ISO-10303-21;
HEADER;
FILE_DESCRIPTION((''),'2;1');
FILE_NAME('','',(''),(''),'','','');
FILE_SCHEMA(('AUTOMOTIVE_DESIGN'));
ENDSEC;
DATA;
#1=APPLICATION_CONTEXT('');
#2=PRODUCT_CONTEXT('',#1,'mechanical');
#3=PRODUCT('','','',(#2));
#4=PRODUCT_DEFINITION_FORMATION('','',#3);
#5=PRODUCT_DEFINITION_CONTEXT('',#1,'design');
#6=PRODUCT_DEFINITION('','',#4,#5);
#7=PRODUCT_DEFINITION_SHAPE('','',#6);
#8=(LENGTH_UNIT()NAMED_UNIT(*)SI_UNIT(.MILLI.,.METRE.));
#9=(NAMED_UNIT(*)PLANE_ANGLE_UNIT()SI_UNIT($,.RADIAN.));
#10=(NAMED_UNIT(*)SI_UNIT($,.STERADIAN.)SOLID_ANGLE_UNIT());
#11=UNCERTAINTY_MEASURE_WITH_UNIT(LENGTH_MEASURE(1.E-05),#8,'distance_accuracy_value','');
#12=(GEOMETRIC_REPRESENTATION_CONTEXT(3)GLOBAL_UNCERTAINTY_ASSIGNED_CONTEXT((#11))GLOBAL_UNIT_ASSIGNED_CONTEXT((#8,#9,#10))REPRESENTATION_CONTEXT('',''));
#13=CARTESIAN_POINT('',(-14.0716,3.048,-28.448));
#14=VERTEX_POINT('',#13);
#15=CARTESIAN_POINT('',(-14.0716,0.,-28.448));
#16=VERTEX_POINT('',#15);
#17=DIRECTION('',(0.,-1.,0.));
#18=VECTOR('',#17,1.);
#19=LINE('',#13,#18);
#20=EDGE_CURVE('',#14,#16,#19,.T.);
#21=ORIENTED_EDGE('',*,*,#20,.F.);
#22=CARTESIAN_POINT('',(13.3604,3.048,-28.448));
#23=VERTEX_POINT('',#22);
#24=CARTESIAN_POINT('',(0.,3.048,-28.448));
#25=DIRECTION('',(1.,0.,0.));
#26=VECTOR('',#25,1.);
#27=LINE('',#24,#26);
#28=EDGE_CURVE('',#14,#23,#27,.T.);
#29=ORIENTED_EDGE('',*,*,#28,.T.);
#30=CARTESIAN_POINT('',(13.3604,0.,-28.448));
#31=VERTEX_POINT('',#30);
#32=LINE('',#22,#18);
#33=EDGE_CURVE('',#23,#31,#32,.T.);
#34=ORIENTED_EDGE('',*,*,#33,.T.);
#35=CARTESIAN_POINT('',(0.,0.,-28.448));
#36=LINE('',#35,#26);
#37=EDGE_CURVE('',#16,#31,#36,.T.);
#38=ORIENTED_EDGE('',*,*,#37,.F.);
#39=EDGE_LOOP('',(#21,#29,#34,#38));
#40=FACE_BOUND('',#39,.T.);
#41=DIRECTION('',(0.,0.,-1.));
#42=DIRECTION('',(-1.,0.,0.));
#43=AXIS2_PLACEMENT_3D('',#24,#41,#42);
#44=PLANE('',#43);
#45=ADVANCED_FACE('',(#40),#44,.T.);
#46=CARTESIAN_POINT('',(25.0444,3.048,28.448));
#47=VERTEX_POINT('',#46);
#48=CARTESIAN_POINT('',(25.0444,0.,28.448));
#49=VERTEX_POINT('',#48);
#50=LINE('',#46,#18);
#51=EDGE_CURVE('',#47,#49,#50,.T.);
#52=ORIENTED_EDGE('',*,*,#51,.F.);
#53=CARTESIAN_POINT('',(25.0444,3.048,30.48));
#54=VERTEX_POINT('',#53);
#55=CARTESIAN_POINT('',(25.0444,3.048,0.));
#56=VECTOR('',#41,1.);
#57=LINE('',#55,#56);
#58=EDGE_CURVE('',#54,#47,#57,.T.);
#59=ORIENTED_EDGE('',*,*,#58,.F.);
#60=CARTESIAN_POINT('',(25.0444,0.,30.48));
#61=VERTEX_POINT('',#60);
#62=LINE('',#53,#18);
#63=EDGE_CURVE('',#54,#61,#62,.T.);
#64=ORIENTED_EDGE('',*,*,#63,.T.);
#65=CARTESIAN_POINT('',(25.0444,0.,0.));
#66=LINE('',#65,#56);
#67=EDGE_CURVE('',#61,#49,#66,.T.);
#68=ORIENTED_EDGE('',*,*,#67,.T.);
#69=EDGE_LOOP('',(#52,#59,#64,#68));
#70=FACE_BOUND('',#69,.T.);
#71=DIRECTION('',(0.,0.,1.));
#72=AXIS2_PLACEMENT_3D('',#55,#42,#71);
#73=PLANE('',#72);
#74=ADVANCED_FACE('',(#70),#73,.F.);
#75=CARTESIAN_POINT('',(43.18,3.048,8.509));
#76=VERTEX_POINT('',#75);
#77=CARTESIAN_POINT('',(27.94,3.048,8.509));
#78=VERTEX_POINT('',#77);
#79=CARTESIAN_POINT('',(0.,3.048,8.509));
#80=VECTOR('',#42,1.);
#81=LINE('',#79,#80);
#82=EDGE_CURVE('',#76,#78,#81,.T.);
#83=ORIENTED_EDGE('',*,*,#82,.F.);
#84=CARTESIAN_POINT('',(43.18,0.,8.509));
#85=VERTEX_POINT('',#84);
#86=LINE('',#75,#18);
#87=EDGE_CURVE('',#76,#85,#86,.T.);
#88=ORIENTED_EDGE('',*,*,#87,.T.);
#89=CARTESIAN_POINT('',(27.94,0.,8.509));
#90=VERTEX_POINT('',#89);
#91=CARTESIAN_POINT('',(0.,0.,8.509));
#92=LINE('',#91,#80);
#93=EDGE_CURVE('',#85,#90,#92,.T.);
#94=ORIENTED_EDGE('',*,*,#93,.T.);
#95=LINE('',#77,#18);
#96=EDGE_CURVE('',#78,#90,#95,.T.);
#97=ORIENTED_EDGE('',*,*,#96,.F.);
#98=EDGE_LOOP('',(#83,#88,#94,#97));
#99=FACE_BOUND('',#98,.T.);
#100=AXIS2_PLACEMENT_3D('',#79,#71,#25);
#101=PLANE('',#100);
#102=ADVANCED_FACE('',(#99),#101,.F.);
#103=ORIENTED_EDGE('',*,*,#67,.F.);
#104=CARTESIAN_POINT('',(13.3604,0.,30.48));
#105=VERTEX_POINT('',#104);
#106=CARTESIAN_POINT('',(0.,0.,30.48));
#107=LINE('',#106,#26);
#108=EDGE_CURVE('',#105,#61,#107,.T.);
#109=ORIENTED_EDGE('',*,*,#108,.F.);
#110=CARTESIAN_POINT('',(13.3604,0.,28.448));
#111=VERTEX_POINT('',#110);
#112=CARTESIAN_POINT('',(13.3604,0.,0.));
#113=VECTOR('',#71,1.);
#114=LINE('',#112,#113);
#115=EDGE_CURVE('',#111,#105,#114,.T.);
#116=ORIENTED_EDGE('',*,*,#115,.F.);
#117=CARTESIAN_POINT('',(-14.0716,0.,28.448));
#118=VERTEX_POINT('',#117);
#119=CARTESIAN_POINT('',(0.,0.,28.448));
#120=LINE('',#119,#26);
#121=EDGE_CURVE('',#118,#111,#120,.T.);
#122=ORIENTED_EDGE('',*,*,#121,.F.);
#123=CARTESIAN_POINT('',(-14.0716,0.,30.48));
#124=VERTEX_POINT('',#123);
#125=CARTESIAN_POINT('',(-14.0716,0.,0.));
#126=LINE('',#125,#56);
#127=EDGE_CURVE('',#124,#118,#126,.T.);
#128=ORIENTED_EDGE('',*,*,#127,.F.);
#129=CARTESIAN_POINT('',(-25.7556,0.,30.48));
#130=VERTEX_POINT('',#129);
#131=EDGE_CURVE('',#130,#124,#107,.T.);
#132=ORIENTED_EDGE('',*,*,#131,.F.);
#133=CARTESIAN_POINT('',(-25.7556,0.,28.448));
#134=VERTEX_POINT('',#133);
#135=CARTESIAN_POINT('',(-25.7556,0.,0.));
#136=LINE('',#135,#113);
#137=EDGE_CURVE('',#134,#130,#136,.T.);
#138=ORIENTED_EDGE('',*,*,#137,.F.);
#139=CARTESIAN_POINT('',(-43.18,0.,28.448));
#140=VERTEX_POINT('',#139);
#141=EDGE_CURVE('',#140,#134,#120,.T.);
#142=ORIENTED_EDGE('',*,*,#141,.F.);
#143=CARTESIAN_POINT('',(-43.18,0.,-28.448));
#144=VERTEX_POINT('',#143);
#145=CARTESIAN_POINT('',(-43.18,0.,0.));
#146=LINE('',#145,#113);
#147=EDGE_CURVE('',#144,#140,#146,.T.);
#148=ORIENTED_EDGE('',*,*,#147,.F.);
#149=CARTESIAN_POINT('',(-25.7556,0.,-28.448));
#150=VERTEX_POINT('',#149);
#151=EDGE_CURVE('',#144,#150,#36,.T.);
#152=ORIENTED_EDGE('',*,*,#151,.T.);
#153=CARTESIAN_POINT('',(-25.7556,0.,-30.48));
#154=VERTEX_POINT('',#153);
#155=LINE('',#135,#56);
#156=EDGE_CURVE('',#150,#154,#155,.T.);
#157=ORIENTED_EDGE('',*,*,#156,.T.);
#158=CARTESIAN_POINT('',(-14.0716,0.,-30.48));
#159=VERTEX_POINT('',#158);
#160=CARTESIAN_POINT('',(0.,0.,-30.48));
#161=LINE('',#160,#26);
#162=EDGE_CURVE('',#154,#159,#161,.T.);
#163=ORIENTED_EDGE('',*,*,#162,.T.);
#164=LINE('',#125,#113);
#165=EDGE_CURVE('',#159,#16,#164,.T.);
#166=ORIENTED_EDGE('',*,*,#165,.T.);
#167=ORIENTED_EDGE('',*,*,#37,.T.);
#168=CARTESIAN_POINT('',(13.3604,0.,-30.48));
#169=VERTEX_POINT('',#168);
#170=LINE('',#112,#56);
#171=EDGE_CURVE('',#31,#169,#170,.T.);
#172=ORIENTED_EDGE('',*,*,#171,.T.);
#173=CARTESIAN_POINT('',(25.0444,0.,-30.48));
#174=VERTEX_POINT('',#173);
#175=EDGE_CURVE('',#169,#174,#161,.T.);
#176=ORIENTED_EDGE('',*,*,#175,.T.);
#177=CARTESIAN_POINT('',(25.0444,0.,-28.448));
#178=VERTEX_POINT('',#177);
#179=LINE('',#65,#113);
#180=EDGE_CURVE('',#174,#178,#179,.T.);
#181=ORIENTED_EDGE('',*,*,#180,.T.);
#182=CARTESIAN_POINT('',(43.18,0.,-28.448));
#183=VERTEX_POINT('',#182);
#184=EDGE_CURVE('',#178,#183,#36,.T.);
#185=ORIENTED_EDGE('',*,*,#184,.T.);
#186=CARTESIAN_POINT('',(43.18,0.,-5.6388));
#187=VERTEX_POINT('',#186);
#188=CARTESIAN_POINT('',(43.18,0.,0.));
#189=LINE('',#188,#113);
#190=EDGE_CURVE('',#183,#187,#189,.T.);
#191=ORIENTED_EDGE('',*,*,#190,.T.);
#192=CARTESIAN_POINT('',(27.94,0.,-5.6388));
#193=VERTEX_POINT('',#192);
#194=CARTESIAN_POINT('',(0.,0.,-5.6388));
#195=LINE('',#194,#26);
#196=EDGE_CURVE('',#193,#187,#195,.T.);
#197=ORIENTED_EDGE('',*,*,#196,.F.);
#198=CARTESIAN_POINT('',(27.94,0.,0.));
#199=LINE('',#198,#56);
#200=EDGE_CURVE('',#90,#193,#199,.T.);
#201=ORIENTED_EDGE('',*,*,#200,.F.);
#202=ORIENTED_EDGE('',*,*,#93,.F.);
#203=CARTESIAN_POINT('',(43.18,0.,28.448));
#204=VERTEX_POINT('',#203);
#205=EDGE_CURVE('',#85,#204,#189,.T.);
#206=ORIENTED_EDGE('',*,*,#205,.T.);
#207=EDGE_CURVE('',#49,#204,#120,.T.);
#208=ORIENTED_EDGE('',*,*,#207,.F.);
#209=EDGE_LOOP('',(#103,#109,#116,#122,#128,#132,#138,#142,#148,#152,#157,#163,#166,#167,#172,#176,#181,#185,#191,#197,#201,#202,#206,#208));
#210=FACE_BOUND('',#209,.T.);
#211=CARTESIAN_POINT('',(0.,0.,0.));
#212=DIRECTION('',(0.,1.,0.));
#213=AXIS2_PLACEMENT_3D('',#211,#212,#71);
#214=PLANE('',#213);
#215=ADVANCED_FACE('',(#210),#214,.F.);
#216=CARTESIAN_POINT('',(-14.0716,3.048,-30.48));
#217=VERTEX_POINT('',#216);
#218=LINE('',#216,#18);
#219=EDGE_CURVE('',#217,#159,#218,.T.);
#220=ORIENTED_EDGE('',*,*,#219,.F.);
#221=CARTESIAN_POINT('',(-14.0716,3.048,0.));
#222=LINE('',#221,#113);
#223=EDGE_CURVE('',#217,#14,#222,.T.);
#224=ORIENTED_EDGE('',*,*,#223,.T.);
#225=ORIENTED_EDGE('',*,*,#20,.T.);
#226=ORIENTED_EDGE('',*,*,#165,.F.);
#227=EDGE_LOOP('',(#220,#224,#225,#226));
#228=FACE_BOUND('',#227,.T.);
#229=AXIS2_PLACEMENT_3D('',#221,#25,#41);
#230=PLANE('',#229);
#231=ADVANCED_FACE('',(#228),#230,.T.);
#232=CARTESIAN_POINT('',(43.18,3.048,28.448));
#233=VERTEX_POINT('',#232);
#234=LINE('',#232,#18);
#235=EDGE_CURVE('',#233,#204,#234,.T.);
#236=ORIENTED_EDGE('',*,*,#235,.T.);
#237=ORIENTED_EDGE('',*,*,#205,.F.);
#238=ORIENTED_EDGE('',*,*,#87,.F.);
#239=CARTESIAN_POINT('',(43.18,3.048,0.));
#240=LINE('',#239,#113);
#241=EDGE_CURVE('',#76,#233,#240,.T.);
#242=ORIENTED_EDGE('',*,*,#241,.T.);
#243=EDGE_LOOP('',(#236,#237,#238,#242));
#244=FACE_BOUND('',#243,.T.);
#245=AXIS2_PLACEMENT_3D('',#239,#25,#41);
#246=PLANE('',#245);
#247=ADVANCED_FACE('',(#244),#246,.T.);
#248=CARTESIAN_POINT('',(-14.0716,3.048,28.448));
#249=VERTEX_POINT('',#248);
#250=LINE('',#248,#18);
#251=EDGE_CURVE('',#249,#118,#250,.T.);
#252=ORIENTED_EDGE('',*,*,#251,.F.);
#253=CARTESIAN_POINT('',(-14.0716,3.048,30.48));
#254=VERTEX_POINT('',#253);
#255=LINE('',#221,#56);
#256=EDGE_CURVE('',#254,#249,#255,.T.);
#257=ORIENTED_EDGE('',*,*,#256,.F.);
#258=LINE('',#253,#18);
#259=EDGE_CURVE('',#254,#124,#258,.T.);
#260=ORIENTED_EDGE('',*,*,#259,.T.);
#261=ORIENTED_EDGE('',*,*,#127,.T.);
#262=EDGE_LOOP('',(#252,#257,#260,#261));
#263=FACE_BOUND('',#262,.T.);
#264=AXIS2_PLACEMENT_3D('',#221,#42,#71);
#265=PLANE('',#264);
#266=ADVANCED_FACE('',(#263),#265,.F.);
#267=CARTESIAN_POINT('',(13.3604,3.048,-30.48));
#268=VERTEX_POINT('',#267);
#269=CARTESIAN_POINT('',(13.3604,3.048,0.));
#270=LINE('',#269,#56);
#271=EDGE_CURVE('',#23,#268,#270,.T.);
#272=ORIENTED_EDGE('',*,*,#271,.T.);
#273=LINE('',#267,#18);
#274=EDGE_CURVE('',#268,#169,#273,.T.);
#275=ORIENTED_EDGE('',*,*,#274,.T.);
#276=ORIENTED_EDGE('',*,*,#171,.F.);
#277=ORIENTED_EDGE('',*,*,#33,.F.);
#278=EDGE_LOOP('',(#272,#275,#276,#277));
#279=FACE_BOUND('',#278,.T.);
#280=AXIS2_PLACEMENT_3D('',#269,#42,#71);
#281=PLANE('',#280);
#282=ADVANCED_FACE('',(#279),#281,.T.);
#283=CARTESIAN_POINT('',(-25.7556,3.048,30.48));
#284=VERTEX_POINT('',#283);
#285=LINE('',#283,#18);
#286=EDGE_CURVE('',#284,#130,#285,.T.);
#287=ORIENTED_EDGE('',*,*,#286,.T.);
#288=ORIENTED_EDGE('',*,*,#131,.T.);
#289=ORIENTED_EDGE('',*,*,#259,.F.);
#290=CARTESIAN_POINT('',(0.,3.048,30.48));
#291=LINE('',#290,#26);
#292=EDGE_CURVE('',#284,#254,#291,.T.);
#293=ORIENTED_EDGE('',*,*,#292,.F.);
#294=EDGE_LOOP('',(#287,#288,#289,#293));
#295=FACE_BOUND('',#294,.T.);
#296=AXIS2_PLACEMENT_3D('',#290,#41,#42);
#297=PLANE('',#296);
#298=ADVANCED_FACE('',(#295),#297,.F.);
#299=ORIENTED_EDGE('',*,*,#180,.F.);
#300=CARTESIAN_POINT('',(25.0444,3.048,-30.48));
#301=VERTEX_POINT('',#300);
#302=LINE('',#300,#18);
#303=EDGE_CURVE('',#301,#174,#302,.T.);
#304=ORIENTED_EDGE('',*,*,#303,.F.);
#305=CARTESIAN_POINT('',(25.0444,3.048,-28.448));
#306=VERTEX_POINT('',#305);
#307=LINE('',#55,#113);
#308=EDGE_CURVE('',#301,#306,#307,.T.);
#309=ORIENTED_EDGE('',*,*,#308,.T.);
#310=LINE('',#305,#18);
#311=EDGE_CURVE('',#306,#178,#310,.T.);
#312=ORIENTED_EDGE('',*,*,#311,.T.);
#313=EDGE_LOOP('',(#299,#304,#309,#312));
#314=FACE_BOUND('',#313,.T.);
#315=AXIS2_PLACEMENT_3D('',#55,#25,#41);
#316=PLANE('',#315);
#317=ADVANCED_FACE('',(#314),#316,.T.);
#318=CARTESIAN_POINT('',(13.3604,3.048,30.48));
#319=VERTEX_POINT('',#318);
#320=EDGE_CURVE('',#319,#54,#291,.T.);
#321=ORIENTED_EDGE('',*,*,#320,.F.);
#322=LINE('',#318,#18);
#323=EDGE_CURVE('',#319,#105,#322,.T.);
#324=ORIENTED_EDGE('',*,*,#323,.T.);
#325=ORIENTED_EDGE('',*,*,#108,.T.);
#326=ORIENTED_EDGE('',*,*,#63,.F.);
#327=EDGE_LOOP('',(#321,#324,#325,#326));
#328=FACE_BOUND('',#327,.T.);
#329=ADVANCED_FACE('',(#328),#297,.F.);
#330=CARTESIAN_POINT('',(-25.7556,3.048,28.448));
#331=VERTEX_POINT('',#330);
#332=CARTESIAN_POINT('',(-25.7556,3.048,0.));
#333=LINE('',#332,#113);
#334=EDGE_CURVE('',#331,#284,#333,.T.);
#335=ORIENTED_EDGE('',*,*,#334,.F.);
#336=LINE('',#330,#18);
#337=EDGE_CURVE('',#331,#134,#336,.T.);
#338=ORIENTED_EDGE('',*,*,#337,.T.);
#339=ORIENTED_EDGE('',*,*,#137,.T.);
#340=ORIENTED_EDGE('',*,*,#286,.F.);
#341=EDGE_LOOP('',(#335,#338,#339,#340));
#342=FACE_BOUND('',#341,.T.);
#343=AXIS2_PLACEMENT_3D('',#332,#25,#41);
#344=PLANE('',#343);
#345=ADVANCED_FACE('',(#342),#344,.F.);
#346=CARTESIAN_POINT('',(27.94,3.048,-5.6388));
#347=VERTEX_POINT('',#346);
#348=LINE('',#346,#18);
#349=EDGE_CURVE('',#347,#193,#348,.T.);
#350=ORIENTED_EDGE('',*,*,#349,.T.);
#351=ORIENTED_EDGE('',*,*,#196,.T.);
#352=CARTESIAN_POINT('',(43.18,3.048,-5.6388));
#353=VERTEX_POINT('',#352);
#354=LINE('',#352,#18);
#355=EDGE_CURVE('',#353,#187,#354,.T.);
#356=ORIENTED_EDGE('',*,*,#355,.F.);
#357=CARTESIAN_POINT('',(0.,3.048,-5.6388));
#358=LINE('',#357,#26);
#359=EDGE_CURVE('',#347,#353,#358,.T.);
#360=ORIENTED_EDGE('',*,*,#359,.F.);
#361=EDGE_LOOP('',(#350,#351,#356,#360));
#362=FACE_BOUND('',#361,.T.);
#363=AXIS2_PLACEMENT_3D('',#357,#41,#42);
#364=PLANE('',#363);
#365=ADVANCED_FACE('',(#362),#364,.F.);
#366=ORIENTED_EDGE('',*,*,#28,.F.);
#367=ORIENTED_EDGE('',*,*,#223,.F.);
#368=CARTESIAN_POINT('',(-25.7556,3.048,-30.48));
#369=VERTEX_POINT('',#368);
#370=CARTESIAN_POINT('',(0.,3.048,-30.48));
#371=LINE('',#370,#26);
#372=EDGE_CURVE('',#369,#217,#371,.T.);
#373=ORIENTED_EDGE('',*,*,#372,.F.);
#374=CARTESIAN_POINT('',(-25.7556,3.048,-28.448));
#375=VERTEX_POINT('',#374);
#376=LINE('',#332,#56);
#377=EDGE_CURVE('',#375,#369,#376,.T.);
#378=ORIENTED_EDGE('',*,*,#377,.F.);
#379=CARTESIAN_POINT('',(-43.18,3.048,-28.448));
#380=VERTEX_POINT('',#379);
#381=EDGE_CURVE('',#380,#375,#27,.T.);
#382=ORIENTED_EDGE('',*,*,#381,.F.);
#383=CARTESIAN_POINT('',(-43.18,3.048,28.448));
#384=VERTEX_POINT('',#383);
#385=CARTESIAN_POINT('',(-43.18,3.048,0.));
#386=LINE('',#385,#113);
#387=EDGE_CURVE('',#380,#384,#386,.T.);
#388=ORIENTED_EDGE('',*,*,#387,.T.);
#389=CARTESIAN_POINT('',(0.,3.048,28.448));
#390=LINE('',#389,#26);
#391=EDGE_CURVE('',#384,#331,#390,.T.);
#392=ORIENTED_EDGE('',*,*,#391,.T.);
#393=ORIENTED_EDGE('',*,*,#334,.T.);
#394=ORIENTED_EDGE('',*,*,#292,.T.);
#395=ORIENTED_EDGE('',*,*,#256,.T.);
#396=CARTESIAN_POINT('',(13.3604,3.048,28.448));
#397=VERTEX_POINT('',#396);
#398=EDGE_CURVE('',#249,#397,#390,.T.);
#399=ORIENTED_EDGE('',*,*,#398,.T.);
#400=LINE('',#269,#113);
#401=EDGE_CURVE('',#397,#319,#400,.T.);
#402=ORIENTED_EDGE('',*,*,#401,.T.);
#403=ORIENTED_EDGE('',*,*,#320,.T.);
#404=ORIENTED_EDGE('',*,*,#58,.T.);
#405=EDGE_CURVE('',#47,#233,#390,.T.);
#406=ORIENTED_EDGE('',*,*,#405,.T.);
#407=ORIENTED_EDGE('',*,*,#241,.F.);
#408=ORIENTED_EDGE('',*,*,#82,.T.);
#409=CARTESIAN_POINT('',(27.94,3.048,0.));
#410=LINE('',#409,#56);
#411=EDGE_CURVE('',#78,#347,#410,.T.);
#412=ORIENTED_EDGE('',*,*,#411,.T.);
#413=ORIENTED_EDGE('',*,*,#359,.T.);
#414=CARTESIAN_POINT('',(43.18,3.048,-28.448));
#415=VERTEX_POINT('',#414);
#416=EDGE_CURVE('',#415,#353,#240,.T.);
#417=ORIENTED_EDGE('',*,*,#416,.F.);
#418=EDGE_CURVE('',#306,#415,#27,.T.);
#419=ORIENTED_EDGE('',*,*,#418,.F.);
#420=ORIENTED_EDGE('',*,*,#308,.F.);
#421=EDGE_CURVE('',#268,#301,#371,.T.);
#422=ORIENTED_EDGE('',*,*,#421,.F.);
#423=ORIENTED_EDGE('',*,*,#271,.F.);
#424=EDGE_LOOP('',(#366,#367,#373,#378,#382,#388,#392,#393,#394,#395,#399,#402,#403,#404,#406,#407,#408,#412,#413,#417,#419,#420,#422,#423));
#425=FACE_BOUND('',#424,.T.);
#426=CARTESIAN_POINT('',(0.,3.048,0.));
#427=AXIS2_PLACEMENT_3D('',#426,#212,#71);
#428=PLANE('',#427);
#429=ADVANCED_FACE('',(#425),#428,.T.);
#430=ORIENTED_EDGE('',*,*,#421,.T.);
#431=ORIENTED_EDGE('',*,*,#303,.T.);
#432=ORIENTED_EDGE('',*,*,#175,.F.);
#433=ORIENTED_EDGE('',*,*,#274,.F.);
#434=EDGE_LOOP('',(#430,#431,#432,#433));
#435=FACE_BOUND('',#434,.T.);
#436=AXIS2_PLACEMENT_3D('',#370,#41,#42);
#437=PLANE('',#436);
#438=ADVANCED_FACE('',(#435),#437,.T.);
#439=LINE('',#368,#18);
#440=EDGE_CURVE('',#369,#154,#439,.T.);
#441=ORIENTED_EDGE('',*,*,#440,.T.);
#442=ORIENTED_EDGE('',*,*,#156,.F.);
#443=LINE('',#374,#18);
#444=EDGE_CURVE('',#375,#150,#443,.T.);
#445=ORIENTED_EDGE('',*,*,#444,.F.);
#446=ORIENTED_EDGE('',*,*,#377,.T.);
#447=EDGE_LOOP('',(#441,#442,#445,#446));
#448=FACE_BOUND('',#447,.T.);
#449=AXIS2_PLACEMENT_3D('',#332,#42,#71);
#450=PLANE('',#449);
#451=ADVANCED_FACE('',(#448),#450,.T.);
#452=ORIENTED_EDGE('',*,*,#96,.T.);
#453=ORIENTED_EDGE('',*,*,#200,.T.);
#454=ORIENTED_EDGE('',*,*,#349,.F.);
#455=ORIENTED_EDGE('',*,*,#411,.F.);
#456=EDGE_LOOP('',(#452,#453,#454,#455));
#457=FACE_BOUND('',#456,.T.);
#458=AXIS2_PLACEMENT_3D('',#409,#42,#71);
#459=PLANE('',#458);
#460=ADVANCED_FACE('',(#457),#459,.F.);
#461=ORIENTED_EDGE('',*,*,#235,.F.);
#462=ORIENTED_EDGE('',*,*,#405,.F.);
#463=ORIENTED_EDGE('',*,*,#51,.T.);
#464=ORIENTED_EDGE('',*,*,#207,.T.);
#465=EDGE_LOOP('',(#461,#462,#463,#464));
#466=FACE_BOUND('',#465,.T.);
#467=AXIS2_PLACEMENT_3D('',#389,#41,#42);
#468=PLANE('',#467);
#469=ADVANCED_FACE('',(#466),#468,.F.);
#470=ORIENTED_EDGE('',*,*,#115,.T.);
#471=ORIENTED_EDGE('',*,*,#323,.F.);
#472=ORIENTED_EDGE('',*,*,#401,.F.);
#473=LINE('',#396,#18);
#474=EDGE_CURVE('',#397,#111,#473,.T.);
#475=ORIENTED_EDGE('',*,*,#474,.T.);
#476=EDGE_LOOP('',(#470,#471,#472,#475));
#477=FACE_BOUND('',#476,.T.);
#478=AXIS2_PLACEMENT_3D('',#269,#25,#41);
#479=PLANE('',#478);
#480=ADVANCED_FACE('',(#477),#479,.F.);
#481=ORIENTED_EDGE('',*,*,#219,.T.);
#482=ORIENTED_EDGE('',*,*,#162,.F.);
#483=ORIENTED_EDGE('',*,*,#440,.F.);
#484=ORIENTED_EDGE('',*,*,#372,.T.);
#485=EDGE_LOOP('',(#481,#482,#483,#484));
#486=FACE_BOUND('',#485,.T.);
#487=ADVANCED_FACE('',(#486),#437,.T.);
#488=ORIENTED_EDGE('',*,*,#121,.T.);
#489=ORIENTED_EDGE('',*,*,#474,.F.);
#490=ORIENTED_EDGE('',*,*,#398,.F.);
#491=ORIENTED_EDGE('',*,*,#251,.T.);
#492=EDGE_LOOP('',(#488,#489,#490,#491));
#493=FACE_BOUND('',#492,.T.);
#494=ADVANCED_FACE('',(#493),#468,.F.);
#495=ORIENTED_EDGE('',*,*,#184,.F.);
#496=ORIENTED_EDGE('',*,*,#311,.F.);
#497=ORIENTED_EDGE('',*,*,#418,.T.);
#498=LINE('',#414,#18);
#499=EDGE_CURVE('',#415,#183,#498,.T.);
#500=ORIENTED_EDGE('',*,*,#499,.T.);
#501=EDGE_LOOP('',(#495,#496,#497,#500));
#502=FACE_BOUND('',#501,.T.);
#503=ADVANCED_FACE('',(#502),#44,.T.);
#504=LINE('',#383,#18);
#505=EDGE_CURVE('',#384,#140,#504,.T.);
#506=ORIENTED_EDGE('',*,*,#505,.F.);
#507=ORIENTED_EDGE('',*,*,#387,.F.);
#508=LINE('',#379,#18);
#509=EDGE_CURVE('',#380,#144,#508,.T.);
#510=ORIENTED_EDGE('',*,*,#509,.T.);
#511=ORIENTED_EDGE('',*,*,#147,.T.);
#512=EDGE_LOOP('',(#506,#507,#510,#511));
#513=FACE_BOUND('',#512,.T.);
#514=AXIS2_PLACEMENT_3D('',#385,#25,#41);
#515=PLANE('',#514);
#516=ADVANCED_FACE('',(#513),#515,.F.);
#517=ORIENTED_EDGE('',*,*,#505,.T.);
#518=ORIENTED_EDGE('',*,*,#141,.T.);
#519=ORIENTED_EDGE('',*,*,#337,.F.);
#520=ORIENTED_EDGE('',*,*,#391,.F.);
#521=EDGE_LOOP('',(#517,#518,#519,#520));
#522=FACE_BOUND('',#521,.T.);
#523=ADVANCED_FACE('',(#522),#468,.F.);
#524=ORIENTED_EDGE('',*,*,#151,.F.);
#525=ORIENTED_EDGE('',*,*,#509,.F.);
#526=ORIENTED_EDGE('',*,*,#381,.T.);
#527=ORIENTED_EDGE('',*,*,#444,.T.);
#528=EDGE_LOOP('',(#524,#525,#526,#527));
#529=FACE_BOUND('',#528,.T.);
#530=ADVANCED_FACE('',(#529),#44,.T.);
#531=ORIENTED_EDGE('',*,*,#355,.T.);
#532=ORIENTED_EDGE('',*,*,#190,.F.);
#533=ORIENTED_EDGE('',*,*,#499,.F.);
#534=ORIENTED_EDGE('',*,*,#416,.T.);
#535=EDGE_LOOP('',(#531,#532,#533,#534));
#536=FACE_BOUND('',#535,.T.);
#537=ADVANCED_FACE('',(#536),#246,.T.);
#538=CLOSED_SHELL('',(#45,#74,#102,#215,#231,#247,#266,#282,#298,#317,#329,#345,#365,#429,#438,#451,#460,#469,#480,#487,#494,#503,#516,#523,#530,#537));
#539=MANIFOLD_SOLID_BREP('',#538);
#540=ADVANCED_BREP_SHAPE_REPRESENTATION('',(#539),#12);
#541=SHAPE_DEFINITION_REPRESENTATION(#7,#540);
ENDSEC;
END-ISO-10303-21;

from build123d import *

# Parameters (mm, degrees)
BOSS_EXTRUDE1_DEPTH = 3.048


with BuildPart() as part:
    # Sketch1 → Boss-Extrude1 (new body)
    with BuildSketch(Plane(origin=(0, 0, 0), x_dir=(1, 0, 0), z_dir=(0, 1, 0))):
        Polygon((-25.7556, -28.448), (-25.7556, -30.48), (-14.0716, -30.48), (-14.0716, -28.448), (13.3604, -28.448), (13.3604, -30.48), (25.0444, -30.48), (25.0444, -28.448), (43.18, -28.448), (43.18, -8.509), (27.94, -8.509), (27.94, 5.6388), (43.18, 5.6388), (43.18, 28.448), (25.0444, 28.448), (25.0444, 30.48), (13.3604, 30.48), (13.3604, 28.448), (-14.0716, 28.448), (-14.0716, 30.48), (-25.7556, 30.48), (-25.7556, 28.448), (-43.18, 28.448), (-43.18, -28.448), align=None)
    extrude(amount=BOSS_EXTRUDE1_DEPTH)


solid = part.part
